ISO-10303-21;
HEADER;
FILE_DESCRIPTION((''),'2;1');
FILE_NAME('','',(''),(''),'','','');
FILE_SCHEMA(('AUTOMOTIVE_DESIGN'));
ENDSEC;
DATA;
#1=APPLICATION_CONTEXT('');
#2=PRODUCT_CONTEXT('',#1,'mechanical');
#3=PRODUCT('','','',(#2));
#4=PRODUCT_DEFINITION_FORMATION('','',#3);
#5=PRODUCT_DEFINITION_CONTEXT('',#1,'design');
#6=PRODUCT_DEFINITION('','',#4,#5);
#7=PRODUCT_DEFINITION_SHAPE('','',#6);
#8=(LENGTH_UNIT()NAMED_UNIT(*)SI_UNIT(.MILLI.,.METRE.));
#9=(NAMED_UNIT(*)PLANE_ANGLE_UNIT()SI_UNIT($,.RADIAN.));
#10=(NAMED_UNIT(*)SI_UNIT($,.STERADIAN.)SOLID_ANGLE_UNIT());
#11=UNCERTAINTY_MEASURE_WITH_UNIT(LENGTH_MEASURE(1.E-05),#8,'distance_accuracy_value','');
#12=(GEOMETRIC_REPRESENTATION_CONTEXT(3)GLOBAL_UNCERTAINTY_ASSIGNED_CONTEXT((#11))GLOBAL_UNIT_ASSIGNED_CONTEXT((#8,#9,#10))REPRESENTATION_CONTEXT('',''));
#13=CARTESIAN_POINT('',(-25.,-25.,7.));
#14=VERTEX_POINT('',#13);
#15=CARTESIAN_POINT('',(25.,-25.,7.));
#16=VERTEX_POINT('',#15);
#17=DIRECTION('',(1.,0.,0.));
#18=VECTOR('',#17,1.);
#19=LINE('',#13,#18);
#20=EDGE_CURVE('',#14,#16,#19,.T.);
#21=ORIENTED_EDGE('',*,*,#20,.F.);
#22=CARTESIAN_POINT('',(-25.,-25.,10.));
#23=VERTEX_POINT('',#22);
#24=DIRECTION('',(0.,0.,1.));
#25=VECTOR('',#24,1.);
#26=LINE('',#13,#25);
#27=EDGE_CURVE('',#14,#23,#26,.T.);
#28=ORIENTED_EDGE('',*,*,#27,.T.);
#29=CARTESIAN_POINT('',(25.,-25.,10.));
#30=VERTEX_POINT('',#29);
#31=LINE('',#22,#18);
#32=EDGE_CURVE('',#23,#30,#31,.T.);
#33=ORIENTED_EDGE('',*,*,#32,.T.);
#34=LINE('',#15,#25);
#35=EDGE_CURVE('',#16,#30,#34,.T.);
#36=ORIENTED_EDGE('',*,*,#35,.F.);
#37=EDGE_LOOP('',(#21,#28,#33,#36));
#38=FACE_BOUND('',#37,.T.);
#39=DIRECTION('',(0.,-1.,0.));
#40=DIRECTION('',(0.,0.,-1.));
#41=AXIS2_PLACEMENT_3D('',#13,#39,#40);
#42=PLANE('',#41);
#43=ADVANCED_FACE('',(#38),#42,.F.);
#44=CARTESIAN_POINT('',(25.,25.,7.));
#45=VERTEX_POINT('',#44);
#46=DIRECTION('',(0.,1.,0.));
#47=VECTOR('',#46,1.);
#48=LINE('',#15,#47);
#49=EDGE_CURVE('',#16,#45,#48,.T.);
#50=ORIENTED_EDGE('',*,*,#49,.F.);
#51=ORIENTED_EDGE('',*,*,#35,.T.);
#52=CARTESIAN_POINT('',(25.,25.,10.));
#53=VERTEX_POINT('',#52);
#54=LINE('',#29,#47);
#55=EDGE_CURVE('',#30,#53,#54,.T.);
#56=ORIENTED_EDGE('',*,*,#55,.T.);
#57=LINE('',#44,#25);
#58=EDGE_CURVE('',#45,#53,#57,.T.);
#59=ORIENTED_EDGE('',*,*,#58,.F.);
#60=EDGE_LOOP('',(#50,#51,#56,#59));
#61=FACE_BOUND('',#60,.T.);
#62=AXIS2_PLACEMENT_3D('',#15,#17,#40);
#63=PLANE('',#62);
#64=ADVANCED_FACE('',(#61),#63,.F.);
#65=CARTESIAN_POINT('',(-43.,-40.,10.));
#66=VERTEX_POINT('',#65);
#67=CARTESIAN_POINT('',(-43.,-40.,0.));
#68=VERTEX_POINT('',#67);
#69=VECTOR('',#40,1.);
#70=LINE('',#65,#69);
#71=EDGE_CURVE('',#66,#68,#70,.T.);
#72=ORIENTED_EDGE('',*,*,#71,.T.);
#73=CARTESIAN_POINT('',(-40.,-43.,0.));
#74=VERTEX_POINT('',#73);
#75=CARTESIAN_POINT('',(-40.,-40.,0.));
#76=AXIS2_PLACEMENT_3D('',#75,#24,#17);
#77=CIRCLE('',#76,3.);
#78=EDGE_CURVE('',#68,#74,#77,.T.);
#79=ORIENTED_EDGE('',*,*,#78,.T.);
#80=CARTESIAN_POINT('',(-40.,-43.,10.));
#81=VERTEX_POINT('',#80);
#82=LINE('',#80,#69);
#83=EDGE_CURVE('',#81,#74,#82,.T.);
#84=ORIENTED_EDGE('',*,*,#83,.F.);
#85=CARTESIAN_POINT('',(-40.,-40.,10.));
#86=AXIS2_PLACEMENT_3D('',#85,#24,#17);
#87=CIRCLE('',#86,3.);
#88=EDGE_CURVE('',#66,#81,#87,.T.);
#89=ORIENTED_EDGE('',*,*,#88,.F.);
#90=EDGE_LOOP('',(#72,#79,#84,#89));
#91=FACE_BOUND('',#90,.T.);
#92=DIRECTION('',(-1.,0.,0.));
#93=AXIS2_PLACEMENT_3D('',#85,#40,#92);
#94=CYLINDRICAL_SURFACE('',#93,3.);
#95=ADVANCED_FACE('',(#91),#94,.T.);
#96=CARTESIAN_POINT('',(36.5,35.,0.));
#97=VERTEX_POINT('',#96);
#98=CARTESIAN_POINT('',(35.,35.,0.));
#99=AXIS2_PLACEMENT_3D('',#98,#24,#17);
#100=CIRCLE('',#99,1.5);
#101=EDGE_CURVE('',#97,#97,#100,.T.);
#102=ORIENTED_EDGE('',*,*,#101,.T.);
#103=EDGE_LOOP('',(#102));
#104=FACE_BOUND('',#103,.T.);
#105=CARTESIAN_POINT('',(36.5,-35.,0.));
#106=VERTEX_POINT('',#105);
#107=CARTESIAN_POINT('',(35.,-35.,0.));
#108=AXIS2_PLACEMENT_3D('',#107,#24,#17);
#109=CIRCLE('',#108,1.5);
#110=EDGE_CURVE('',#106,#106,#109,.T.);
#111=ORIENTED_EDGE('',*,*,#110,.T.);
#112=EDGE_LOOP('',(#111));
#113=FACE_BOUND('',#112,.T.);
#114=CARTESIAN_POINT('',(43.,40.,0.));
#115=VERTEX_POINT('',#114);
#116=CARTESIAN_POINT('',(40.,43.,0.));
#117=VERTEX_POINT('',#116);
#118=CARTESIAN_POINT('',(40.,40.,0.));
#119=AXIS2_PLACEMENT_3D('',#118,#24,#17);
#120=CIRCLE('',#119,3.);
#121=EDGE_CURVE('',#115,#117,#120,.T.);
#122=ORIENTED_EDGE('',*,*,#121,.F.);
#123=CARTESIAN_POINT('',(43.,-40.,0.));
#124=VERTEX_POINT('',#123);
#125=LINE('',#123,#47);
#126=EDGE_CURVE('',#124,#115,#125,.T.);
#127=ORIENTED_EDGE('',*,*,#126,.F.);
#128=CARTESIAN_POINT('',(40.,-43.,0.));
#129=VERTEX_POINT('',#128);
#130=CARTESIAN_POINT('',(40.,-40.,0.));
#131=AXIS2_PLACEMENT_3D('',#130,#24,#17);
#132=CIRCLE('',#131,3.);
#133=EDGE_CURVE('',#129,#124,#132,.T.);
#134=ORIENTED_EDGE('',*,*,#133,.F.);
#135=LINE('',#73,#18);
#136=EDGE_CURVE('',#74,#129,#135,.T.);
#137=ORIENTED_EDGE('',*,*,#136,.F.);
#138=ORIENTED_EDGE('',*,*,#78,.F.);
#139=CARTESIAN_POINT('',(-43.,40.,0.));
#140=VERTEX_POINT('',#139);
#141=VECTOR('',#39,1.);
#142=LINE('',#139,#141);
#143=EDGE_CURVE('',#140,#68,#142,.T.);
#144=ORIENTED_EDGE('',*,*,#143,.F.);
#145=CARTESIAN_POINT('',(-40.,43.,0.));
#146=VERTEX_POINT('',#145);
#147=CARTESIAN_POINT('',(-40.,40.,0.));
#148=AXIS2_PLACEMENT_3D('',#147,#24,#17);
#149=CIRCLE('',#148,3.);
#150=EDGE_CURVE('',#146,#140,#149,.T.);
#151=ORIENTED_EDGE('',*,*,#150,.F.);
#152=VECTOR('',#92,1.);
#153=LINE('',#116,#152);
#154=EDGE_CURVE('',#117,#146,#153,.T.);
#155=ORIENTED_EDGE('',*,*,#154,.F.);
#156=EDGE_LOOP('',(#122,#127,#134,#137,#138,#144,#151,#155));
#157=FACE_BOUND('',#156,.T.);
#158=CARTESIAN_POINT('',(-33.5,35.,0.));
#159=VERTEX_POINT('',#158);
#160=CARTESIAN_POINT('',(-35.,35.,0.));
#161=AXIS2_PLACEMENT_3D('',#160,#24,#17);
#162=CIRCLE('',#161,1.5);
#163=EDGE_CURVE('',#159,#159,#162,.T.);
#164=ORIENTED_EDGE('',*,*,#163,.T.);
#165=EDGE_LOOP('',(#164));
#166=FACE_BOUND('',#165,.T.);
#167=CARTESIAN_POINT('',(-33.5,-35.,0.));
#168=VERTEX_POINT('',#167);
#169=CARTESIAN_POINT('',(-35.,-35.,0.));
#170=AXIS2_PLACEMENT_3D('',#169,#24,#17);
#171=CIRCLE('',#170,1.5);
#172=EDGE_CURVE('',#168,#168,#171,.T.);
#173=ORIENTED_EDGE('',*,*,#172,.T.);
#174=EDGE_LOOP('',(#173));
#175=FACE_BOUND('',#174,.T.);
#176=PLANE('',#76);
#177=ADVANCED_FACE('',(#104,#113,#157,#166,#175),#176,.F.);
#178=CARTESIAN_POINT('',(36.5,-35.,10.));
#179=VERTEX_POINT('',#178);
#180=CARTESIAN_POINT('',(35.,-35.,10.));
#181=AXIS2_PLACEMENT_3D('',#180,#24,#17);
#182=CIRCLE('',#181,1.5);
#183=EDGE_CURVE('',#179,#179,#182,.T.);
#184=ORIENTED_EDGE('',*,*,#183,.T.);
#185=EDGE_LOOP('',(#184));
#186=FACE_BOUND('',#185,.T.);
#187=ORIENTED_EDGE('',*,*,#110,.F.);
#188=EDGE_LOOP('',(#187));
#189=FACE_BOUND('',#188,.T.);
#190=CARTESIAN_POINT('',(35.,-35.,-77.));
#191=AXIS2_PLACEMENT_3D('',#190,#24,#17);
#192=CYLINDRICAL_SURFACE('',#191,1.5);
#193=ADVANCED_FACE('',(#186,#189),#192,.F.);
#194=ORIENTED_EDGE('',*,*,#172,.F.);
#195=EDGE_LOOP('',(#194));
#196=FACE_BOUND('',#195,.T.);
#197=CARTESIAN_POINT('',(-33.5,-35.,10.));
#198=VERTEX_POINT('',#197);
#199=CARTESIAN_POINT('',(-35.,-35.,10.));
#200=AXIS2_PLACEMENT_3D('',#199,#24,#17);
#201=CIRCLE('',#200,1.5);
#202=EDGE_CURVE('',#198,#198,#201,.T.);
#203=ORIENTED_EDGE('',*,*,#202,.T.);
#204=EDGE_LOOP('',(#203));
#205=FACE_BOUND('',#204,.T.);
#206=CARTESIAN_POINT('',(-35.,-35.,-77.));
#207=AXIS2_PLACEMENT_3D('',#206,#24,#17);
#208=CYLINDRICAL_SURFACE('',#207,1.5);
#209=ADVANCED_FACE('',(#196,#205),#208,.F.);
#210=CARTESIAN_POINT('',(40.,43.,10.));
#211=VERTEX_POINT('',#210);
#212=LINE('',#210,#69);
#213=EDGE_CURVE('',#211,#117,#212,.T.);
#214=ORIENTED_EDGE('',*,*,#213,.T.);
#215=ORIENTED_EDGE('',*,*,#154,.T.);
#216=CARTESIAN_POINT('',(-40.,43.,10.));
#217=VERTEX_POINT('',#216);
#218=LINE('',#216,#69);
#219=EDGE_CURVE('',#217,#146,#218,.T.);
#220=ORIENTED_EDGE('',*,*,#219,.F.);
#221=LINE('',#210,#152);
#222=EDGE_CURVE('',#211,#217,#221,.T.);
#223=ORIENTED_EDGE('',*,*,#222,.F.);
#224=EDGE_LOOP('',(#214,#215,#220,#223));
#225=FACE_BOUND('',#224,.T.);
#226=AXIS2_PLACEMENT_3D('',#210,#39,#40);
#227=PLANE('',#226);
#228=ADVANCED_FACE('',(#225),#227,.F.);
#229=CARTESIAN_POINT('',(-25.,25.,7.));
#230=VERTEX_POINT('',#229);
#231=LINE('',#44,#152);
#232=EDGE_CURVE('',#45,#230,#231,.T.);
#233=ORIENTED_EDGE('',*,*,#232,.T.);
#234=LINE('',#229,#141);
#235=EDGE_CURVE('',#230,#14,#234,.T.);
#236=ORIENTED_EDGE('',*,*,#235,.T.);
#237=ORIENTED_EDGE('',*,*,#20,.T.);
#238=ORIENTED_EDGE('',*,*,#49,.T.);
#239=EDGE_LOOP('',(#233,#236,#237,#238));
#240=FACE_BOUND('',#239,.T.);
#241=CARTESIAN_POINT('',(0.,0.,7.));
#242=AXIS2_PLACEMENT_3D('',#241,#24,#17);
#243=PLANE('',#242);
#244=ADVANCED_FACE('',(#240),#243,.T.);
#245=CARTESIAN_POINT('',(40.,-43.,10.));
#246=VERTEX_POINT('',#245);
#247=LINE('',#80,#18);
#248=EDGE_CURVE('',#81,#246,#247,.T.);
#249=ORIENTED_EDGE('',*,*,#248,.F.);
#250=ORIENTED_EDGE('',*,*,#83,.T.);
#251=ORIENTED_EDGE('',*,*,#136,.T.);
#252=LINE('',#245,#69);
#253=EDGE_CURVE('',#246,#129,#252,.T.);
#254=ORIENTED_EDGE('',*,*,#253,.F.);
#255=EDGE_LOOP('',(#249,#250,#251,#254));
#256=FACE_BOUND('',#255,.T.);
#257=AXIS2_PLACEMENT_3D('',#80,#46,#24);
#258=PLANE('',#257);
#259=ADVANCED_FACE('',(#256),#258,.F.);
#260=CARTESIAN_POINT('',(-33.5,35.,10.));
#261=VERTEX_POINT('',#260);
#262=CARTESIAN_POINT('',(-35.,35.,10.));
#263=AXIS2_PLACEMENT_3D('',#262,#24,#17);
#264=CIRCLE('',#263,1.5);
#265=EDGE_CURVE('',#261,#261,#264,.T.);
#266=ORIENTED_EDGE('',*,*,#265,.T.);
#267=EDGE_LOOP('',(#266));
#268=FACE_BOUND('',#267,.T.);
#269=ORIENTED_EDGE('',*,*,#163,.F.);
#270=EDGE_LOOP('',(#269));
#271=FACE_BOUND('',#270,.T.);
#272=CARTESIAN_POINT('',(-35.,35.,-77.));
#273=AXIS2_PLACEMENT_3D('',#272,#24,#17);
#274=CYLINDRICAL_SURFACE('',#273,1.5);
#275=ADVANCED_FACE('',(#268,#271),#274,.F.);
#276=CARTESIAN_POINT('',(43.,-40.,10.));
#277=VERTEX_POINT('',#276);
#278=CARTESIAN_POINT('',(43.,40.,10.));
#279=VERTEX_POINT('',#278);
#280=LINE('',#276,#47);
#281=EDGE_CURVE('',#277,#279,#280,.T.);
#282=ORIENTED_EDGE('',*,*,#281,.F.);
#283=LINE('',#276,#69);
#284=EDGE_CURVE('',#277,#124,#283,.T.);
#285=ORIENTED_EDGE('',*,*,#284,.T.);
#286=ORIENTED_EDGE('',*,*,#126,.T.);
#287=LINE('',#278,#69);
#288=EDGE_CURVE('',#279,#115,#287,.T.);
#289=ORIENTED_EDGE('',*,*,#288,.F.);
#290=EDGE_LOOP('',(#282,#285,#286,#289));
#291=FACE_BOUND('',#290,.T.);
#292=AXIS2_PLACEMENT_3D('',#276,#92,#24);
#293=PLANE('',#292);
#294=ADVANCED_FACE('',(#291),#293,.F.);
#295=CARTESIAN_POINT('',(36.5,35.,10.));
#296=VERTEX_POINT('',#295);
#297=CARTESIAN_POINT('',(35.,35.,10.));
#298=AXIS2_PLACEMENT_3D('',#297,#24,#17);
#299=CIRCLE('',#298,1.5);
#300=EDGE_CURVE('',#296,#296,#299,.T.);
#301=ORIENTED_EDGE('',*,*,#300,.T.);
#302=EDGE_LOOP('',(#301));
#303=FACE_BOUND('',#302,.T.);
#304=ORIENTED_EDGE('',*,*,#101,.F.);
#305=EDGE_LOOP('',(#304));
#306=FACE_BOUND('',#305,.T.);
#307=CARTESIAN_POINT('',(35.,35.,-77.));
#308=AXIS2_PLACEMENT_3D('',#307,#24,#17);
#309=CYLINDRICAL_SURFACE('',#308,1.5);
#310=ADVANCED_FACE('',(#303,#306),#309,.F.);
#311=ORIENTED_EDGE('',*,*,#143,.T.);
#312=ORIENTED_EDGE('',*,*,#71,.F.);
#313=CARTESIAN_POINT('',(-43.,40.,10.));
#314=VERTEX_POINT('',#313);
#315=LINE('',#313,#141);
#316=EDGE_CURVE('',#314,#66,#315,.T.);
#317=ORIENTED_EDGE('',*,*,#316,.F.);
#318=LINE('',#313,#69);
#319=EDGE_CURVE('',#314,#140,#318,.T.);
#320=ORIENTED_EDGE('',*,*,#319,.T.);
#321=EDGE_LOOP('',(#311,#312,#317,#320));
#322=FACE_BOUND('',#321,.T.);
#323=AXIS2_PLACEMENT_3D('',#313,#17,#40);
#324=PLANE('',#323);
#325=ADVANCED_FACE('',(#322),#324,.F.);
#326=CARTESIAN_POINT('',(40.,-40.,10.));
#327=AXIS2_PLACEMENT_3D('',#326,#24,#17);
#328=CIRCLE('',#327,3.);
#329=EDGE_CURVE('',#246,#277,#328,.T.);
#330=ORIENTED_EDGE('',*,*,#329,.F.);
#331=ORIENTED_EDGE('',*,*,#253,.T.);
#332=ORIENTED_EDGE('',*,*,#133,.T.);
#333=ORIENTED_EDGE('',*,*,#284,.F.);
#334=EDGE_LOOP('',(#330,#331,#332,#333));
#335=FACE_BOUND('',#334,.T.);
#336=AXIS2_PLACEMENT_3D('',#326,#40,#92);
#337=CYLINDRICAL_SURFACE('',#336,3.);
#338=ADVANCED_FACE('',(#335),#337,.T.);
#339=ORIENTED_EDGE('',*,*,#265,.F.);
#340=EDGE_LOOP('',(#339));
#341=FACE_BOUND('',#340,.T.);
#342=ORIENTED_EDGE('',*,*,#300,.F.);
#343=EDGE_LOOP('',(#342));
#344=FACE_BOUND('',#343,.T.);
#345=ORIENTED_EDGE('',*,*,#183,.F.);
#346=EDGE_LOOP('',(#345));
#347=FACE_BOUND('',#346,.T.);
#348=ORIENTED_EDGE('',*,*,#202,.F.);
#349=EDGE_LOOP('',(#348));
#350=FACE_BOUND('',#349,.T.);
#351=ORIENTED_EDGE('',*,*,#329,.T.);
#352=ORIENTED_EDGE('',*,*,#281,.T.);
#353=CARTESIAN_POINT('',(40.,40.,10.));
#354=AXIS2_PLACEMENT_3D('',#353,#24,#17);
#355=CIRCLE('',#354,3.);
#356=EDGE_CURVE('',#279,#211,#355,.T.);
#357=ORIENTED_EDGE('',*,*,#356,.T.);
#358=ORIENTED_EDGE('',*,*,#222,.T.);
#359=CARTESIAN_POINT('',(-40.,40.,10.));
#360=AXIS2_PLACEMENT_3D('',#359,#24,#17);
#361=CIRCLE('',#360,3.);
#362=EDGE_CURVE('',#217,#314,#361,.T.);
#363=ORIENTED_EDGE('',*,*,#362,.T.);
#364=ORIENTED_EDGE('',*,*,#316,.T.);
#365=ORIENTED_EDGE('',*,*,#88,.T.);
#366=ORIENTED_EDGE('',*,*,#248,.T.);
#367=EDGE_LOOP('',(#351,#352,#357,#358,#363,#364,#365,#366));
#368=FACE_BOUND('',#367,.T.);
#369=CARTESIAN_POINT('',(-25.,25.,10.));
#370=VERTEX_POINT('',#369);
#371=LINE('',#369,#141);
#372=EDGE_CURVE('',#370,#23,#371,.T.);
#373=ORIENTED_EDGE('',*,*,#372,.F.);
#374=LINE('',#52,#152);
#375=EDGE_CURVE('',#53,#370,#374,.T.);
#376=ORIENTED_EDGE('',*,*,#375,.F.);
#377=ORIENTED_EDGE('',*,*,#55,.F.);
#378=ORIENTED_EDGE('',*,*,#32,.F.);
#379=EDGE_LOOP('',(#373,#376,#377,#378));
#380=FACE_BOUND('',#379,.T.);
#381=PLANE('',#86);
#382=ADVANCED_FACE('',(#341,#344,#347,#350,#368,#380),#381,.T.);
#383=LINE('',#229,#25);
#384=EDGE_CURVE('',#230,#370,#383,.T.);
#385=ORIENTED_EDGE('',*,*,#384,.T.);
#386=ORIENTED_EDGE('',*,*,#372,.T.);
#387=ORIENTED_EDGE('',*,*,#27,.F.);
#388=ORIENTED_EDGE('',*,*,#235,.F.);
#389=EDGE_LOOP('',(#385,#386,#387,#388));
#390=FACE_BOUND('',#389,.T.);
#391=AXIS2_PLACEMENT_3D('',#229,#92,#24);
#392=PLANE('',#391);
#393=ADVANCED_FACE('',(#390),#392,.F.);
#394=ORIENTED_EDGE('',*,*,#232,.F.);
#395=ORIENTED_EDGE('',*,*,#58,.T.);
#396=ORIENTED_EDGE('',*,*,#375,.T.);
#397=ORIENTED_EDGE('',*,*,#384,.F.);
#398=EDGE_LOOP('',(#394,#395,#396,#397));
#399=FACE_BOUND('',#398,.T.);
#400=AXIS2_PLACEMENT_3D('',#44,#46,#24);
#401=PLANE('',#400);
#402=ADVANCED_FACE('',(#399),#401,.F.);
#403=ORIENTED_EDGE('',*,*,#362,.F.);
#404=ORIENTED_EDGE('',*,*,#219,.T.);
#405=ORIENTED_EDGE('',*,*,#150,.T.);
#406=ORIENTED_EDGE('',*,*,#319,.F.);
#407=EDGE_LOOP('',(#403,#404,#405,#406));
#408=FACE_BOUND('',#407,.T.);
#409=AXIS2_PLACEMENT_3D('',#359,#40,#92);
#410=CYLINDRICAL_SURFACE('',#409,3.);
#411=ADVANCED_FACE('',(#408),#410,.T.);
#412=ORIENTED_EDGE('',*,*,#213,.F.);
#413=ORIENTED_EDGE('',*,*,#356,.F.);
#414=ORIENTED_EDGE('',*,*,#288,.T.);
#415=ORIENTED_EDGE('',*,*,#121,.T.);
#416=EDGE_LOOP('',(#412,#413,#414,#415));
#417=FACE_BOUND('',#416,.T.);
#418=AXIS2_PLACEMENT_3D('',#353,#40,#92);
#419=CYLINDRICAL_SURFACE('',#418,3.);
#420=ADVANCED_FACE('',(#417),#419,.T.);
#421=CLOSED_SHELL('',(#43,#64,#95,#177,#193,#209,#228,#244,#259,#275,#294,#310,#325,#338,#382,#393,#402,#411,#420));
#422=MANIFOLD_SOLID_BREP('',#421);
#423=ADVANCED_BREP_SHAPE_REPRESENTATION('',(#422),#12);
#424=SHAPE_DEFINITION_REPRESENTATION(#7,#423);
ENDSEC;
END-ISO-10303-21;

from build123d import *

# Parameters (mm, degrees)
EXTRUDE_1_DEPTH     = 10
SKETCH_2_W          = 50
SKETCH_2_H          = 50
CUT_EXTRUDE_1_DEPTH = 3
SKETCH_3_R          = 1.5
CUT_EXTRUDE_2_DEPTH = 87


with BuildPart() as part:
    # 草图1 → 凸台-拉伸1 (new body)
    with BuildSketch(Plane.XY):
        with BuildLine():
            Line((-40, -43), (40, -43))
            ThreePointArc((40, -43), (42.121320344, -42.121320344), (43, -40))
            Line((43, -40), (43, 40))
            ThreePointArc((43, 40), (42.121320344, 42.121320344), (40, 43))
            Line((40, 43), (-40, 43))
            ThreePointArc((-40, 43), (-42.121320344, 42.121320344), (-43, 40))
            Line((-43, 40), (-43, -40))
            ThreePointArc((-43, -40), (-42.121320344, -42.121320344), (-40, -43))
        make_face()
    extrude(amount=EXTRUDE_1_DEPTH)

    # 草图2 → 切除-拉伸1 (cut)
    with BuildSketch(Plane.XY.offset(10)):
        Rectangle(SKETCH_2_W, SKETCH_2_H)
    extrude(amount=-CUT_EXTRUDE_1_DEPTH, mode=Mode.SUBTRACT)

    # 草图3 → 切除-拉伸2 (cut, symmetric)
    with BuildSketch(Plane.XY.offset(10)):
        with Locations((-35, -35)):
            Circle(SKETCH_3_R)
        with Locations((-35, 35)):
            Circle(SKETCH_3_R)
        with Locations((35, -35)):
            Circle(SKETCH_3_R)
        with Locations((35, 35)):
            Circle(SKETCH_3_R)
    extrude(amount=CUT_EXTRUDE_2_DEPTH, both=True, mode=Mode.SUBTRACT)


solid = part.part
